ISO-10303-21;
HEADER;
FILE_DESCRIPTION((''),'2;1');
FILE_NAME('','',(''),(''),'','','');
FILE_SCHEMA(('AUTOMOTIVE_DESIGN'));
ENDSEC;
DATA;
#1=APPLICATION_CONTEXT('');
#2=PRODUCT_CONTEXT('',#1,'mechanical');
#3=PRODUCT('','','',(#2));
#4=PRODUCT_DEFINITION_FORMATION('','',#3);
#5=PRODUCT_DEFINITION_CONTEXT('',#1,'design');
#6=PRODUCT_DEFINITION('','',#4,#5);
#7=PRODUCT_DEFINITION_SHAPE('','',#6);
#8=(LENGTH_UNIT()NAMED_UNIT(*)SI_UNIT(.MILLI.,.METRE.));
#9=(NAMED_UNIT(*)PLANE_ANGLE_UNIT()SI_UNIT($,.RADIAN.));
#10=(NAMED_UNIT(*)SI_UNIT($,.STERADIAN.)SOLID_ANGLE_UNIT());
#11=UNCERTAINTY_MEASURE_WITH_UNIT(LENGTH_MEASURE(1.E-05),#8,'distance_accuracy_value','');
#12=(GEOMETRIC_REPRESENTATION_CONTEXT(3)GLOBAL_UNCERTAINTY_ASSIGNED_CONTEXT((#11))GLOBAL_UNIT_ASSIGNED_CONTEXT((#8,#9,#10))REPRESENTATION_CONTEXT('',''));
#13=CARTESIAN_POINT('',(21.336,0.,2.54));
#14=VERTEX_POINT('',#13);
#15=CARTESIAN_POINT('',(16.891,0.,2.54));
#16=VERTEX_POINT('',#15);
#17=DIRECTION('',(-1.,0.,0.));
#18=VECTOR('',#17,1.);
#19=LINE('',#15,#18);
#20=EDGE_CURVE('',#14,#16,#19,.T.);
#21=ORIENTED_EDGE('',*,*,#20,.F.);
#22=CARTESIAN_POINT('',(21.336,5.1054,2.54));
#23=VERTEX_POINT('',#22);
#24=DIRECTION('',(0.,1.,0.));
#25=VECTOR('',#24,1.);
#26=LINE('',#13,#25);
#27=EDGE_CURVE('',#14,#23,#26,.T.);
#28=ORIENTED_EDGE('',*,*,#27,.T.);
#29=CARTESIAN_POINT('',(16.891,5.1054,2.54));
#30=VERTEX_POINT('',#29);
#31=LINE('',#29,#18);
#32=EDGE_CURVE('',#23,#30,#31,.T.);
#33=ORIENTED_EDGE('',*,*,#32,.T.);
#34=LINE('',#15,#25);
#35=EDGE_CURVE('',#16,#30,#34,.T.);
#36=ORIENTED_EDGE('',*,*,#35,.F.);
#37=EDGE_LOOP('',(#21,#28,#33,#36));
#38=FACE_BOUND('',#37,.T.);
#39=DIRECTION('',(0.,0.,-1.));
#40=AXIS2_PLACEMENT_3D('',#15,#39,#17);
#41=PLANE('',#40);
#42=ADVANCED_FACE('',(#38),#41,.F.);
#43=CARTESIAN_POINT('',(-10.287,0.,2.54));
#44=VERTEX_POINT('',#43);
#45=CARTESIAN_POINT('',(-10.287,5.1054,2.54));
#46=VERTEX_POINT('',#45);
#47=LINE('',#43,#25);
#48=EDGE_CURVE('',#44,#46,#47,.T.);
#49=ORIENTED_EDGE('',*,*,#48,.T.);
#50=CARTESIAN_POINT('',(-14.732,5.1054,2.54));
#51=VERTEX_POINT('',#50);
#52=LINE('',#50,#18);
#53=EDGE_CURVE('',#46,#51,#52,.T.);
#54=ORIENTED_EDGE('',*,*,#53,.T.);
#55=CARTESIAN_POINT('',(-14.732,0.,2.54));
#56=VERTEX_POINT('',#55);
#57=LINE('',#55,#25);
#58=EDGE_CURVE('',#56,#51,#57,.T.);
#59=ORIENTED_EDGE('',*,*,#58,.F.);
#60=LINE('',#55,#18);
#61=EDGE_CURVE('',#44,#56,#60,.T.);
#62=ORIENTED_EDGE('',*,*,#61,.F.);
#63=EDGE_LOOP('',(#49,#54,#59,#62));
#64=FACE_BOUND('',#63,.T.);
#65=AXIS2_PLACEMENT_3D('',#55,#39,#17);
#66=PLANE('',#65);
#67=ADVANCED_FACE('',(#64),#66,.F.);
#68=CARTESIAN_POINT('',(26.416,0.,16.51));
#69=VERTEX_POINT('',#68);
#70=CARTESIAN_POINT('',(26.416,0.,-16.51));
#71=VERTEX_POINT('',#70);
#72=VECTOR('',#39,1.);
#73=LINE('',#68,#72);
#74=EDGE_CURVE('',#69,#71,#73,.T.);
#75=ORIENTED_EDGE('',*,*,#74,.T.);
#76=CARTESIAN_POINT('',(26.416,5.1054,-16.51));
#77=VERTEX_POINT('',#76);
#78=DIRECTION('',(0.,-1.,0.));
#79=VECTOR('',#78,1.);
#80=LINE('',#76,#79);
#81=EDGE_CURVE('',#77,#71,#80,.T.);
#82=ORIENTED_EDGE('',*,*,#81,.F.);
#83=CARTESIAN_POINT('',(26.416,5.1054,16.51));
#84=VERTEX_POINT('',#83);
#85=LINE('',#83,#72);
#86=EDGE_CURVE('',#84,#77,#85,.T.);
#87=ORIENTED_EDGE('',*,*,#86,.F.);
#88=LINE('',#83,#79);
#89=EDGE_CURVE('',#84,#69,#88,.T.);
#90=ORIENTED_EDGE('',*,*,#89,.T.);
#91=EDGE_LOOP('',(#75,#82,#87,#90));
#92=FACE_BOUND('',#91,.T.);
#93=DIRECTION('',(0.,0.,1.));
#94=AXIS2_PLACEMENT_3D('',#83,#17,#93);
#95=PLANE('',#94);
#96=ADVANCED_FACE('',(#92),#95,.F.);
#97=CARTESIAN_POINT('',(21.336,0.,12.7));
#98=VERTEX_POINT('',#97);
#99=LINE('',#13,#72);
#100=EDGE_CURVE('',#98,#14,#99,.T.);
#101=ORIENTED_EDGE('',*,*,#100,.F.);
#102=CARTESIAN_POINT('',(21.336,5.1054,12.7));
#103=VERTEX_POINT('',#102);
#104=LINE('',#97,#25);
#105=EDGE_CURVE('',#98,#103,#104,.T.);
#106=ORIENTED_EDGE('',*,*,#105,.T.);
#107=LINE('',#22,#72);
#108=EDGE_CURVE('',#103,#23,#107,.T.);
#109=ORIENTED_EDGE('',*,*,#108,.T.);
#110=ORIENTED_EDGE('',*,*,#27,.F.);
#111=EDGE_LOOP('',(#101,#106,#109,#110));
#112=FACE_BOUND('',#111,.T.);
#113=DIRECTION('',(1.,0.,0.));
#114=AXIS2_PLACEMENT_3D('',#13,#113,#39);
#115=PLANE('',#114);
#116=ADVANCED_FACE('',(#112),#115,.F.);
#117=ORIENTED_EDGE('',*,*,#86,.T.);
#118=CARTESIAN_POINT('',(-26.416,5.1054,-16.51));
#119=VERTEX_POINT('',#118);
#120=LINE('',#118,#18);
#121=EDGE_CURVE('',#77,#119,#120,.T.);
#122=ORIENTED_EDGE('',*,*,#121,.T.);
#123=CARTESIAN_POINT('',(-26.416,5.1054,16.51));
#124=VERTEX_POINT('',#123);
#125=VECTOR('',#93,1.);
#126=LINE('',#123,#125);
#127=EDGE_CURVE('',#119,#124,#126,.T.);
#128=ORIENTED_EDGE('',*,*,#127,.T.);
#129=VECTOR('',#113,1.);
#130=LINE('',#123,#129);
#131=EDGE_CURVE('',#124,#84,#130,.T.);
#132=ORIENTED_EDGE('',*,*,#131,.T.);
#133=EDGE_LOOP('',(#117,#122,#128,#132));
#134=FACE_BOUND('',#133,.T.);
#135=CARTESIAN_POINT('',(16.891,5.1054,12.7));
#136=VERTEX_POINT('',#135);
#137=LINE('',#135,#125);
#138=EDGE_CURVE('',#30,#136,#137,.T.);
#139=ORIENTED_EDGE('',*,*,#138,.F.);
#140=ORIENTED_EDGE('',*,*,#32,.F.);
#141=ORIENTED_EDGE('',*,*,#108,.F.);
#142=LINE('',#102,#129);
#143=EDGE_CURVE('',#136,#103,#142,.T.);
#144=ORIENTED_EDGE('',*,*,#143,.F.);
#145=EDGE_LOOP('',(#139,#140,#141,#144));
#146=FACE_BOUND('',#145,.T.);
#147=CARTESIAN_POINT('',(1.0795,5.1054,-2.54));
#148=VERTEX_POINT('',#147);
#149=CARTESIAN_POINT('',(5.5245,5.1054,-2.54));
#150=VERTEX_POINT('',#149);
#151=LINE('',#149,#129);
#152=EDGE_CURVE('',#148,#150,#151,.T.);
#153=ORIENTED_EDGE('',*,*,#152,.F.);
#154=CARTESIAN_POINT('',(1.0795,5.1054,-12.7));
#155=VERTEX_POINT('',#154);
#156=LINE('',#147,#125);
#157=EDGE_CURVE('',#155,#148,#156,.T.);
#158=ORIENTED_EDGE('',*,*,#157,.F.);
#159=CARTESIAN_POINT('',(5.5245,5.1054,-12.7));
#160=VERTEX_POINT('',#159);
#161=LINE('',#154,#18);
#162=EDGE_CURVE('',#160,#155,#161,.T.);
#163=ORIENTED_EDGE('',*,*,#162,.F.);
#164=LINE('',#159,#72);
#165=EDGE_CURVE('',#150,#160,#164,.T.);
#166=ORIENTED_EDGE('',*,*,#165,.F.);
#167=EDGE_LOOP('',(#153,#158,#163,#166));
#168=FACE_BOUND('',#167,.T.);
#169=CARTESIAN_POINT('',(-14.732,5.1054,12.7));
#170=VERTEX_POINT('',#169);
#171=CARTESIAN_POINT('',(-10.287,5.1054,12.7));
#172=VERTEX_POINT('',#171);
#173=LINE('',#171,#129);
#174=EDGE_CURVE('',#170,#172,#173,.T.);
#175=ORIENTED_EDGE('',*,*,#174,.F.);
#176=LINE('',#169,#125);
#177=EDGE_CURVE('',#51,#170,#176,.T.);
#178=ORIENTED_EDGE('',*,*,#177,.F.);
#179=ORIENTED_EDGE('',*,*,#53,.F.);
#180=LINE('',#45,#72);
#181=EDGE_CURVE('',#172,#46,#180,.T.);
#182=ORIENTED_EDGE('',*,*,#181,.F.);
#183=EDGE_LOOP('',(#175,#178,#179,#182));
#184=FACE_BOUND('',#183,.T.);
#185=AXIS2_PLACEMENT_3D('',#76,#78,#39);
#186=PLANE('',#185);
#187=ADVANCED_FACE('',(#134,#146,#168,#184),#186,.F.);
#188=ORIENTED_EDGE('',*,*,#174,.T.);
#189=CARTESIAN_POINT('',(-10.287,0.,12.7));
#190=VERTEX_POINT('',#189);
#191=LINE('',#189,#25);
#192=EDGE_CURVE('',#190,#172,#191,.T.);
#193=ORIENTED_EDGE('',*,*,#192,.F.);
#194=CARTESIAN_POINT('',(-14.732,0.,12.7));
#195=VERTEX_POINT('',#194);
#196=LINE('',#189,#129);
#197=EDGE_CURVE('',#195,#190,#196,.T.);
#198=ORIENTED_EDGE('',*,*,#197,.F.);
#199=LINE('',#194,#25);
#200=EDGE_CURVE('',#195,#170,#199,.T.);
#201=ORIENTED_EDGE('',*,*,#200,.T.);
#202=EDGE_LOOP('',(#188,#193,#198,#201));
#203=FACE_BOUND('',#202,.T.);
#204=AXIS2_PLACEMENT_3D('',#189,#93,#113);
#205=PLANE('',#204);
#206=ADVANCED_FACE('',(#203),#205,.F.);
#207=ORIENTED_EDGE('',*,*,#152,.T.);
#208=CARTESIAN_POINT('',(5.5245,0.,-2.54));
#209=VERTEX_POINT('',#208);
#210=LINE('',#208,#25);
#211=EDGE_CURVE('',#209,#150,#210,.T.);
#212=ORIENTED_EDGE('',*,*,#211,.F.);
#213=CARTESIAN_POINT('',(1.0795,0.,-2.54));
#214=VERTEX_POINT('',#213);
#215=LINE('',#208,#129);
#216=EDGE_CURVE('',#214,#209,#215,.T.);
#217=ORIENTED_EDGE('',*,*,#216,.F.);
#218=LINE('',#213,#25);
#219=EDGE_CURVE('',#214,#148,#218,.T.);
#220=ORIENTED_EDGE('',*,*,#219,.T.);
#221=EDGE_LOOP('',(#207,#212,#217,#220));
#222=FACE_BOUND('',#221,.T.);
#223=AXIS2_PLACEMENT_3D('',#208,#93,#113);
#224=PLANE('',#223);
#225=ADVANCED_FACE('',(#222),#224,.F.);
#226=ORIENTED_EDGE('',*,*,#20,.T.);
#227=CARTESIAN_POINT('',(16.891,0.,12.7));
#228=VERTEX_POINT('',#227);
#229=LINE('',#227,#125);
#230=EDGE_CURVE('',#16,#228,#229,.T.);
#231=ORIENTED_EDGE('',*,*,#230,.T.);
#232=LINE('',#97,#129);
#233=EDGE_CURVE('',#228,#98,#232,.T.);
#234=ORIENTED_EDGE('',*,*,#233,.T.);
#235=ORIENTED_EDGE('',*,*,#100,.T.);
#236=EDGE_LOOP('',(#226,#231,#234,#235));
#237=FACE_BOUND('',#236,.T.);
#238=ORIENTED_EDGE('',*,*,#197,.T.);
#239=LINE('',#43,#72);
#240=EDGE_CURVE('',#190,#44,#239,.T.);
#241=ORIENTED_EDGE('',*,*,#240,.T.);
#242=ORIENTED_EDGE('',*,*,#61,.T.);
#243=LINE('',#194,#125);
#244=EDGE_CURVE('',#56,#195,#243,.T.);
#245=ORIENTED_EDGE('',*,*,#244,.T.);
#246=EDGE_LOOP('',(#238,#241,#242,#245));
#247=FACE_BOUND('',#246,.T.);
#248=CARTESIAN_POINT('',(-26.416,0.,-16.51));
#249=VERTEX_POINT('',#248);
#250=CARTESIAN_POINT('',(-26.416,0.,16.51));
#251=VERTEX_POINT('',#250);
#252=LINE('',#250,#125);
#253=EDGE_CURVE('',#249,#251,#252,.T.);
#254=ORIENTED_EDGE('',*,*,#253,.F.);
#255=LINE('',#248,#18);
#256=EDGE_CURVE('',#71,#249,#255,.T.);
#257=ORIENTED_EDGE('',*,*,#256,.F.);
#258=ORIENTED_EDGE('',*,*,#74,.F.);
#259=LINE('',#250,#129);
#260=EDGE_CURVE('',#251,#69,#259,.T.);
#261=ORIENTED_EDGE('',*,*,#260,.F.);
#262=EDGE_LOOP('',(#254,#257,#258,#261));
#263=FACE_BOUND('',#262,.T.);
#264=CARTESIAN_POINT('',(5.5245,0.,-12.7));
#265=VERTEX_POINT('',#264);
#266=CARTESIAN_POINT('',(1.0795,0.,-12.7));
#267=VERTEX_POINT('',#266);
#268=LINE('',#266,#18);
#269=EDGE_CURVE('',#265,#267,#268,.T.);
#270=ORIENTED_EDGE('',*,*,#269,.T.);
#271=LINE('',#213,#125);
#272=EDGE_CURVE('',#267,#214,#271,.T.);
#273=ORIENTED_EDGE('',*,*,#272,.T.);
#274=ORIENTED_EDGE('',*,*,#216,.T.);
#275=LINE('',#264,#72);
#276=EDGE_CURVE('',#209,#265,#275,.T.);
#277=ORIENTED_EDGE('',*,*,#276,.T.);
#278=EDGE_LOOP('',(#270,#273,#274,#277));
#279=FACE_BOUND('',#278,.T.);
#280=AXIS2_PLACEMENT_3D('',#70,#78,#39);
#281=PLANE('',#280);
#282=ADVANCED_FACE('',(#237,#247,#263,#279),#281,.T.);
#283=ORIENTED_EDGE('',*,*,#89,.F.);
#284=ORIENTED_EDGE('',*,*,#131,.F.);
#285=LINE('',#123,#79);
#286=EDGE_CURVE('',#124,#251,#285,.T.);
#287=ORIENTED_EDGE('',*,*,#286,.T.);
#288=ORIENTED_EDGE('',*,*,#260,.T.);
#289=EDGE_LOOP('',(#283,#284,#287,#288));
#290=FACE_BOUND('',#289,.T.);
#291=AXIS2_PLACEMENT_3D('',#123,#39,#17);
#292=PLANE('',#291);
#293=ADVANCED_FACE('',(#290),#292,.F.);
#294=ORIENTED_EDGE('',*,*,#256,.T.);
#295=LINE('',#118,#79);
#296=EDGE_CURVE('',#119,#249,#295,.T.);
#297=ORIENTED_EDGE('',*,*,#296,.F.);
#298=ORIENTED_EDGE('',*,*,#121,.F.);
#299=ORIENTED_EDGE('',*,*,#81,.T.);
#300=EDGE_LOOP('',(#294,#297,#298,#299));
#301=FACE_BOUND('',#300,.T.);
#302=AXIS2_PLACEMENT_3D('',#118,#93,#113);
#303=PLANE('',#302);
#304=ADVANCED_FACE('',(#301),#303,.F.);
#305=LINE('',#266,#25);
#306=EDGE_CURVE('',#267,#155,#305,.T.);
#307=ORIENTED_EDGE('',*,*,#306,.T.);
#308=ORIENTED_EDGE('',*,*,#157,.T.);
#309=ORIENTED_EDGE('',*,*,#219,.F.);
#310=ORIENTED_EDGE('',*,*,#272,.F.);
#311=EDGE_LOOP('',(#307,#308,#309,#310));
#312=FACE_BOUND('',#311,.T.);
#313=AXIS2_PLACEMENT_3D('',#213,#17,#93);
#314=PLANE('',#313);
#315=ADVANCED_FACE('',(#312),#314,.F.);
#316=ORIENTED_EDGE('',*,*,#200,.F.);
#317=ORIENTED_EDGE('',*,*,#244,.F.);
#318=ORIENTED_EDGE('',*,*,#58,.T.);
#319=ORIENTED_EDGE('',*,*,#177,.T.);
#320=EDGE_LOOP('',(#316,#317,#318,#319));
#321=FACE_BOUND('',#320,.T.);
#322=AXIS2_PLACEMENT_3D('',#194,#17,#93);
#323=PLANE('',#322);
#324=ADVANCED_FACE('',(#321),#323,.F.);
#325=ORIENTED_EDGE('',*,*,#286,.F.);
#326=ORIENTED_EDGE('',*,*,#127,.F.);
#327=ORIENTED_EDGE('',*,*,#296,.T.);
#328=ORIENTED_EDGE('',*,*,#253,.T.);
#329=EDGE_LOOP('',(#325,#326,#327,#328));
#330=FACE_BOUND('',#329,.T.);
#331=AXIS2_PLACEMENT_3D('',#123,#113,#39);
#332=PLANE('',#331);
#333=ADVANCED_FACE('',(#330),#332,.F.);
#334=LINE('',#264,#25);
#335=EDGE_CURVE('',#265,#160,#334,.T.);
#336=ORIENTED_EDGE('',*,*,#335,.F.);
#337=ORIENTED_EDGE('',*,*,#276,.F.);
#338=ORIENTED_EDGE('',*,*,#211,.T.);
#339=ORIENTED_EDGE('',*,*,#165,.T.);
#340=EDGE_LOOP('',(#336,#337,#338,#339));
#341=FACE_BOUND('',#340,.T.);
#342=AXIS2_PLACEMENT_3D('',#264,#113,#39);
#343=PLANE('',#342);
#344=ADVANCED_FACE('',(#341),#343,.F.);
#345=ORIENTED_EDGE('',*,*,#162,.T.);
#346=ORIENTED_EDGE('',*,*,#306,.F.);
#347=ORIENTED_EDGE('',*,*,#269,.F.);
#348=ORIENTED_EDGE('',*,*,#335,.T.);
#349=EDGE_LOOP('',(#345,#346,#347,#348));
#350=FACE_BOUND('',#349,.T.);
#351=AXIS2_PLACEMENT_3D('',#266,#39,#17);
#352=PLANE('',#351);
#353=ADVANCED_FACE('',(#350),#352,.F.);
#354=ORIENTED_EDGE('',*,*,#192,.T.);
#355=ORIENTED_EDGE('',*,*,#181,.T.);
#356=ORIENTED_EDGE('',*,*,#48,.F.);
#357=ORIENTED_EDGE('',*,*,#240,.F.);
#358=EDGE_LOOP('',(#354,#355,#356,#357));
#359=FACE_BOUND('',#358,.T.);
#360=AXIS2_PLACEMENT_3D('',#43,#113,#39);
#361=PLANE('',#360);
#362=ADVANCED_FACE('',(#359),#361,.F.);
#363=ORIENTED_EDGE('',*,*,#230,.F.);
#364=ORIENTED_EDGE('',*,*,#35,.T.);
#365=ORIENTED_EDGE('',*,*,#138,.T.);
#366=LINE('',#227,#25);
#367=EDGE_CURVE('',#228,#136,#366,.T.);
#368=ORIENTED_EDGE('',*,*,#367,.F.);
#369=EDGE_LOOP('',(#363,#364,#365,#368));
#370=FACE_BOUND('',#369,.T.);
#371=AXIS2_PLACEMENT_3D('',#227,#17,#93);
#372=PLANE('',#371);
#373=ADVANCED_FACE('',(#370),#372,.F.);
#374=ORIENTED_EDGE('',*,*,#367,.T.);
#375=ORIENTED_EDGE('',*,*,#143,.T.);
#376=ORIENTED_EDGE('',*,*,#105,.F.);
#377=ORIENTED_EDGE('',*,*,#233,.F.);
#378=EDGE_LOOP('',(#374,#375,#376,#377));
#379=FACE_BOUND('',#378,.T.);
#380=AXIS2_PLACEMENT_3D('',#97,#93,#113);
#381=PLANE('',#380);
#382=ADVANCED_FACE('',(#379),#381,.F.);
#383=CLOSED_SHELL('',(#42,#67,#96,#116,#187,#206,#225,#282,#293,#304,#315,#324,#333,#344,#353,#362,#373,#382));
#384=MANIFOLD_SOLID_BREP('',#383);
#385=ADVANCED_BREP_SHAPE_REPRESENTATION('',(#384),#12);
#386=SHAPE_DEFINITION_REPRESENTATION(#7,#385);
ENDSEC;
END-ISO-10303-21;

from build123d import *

# Parameters (mm, degrees)
SKETCH1_W           = 52.832
SKETCH1_H           = 33.02
BOSS_EXTRUDE1_DEPTH = 5.1054
SKETCH2_W           = 4.445
SKETCH2_H           = 10.16
CUT_EXTRUDE1_DEPTH  = 6.1054


with BuildPart() as part:
    # Sketch1 → Boss-Extrude1 (new body)
    with BuildSketch(Plane(origin=(0, 0, 0), x_dir=(1, 0, 0), z_dir=(0, 1, 0))):
        Rectangle(SKETCH1_W, SKETCH1_H)
    extrude(amount=BOSS_EXTRUDE1_DEPTH)

    # Sketch2 → Cut-Extrude1 (cut, through all)
    with BuildSketch(Plane(origin=(0, 5.1054, 0), x_dir=(1, 0, 0), z_dir=(0, 1, 0))):
        with Locations((19.1135, -7.62)):
            Rectangle(SKETCH2_W, SKETCH2_H)
        with Locations((3.302, 7.62)):
            Rectangle(SKETCH2_W, SKETCH2_H)
        with Locations((-12.5095, -7.62)):
            Rectangle(SKETCH2_W, SKETCH2_H)
    extrude(amount=-CUT_EXTRUDE1_DEPTH, mode=Mode.SUBTRACT)


solid = part.part
